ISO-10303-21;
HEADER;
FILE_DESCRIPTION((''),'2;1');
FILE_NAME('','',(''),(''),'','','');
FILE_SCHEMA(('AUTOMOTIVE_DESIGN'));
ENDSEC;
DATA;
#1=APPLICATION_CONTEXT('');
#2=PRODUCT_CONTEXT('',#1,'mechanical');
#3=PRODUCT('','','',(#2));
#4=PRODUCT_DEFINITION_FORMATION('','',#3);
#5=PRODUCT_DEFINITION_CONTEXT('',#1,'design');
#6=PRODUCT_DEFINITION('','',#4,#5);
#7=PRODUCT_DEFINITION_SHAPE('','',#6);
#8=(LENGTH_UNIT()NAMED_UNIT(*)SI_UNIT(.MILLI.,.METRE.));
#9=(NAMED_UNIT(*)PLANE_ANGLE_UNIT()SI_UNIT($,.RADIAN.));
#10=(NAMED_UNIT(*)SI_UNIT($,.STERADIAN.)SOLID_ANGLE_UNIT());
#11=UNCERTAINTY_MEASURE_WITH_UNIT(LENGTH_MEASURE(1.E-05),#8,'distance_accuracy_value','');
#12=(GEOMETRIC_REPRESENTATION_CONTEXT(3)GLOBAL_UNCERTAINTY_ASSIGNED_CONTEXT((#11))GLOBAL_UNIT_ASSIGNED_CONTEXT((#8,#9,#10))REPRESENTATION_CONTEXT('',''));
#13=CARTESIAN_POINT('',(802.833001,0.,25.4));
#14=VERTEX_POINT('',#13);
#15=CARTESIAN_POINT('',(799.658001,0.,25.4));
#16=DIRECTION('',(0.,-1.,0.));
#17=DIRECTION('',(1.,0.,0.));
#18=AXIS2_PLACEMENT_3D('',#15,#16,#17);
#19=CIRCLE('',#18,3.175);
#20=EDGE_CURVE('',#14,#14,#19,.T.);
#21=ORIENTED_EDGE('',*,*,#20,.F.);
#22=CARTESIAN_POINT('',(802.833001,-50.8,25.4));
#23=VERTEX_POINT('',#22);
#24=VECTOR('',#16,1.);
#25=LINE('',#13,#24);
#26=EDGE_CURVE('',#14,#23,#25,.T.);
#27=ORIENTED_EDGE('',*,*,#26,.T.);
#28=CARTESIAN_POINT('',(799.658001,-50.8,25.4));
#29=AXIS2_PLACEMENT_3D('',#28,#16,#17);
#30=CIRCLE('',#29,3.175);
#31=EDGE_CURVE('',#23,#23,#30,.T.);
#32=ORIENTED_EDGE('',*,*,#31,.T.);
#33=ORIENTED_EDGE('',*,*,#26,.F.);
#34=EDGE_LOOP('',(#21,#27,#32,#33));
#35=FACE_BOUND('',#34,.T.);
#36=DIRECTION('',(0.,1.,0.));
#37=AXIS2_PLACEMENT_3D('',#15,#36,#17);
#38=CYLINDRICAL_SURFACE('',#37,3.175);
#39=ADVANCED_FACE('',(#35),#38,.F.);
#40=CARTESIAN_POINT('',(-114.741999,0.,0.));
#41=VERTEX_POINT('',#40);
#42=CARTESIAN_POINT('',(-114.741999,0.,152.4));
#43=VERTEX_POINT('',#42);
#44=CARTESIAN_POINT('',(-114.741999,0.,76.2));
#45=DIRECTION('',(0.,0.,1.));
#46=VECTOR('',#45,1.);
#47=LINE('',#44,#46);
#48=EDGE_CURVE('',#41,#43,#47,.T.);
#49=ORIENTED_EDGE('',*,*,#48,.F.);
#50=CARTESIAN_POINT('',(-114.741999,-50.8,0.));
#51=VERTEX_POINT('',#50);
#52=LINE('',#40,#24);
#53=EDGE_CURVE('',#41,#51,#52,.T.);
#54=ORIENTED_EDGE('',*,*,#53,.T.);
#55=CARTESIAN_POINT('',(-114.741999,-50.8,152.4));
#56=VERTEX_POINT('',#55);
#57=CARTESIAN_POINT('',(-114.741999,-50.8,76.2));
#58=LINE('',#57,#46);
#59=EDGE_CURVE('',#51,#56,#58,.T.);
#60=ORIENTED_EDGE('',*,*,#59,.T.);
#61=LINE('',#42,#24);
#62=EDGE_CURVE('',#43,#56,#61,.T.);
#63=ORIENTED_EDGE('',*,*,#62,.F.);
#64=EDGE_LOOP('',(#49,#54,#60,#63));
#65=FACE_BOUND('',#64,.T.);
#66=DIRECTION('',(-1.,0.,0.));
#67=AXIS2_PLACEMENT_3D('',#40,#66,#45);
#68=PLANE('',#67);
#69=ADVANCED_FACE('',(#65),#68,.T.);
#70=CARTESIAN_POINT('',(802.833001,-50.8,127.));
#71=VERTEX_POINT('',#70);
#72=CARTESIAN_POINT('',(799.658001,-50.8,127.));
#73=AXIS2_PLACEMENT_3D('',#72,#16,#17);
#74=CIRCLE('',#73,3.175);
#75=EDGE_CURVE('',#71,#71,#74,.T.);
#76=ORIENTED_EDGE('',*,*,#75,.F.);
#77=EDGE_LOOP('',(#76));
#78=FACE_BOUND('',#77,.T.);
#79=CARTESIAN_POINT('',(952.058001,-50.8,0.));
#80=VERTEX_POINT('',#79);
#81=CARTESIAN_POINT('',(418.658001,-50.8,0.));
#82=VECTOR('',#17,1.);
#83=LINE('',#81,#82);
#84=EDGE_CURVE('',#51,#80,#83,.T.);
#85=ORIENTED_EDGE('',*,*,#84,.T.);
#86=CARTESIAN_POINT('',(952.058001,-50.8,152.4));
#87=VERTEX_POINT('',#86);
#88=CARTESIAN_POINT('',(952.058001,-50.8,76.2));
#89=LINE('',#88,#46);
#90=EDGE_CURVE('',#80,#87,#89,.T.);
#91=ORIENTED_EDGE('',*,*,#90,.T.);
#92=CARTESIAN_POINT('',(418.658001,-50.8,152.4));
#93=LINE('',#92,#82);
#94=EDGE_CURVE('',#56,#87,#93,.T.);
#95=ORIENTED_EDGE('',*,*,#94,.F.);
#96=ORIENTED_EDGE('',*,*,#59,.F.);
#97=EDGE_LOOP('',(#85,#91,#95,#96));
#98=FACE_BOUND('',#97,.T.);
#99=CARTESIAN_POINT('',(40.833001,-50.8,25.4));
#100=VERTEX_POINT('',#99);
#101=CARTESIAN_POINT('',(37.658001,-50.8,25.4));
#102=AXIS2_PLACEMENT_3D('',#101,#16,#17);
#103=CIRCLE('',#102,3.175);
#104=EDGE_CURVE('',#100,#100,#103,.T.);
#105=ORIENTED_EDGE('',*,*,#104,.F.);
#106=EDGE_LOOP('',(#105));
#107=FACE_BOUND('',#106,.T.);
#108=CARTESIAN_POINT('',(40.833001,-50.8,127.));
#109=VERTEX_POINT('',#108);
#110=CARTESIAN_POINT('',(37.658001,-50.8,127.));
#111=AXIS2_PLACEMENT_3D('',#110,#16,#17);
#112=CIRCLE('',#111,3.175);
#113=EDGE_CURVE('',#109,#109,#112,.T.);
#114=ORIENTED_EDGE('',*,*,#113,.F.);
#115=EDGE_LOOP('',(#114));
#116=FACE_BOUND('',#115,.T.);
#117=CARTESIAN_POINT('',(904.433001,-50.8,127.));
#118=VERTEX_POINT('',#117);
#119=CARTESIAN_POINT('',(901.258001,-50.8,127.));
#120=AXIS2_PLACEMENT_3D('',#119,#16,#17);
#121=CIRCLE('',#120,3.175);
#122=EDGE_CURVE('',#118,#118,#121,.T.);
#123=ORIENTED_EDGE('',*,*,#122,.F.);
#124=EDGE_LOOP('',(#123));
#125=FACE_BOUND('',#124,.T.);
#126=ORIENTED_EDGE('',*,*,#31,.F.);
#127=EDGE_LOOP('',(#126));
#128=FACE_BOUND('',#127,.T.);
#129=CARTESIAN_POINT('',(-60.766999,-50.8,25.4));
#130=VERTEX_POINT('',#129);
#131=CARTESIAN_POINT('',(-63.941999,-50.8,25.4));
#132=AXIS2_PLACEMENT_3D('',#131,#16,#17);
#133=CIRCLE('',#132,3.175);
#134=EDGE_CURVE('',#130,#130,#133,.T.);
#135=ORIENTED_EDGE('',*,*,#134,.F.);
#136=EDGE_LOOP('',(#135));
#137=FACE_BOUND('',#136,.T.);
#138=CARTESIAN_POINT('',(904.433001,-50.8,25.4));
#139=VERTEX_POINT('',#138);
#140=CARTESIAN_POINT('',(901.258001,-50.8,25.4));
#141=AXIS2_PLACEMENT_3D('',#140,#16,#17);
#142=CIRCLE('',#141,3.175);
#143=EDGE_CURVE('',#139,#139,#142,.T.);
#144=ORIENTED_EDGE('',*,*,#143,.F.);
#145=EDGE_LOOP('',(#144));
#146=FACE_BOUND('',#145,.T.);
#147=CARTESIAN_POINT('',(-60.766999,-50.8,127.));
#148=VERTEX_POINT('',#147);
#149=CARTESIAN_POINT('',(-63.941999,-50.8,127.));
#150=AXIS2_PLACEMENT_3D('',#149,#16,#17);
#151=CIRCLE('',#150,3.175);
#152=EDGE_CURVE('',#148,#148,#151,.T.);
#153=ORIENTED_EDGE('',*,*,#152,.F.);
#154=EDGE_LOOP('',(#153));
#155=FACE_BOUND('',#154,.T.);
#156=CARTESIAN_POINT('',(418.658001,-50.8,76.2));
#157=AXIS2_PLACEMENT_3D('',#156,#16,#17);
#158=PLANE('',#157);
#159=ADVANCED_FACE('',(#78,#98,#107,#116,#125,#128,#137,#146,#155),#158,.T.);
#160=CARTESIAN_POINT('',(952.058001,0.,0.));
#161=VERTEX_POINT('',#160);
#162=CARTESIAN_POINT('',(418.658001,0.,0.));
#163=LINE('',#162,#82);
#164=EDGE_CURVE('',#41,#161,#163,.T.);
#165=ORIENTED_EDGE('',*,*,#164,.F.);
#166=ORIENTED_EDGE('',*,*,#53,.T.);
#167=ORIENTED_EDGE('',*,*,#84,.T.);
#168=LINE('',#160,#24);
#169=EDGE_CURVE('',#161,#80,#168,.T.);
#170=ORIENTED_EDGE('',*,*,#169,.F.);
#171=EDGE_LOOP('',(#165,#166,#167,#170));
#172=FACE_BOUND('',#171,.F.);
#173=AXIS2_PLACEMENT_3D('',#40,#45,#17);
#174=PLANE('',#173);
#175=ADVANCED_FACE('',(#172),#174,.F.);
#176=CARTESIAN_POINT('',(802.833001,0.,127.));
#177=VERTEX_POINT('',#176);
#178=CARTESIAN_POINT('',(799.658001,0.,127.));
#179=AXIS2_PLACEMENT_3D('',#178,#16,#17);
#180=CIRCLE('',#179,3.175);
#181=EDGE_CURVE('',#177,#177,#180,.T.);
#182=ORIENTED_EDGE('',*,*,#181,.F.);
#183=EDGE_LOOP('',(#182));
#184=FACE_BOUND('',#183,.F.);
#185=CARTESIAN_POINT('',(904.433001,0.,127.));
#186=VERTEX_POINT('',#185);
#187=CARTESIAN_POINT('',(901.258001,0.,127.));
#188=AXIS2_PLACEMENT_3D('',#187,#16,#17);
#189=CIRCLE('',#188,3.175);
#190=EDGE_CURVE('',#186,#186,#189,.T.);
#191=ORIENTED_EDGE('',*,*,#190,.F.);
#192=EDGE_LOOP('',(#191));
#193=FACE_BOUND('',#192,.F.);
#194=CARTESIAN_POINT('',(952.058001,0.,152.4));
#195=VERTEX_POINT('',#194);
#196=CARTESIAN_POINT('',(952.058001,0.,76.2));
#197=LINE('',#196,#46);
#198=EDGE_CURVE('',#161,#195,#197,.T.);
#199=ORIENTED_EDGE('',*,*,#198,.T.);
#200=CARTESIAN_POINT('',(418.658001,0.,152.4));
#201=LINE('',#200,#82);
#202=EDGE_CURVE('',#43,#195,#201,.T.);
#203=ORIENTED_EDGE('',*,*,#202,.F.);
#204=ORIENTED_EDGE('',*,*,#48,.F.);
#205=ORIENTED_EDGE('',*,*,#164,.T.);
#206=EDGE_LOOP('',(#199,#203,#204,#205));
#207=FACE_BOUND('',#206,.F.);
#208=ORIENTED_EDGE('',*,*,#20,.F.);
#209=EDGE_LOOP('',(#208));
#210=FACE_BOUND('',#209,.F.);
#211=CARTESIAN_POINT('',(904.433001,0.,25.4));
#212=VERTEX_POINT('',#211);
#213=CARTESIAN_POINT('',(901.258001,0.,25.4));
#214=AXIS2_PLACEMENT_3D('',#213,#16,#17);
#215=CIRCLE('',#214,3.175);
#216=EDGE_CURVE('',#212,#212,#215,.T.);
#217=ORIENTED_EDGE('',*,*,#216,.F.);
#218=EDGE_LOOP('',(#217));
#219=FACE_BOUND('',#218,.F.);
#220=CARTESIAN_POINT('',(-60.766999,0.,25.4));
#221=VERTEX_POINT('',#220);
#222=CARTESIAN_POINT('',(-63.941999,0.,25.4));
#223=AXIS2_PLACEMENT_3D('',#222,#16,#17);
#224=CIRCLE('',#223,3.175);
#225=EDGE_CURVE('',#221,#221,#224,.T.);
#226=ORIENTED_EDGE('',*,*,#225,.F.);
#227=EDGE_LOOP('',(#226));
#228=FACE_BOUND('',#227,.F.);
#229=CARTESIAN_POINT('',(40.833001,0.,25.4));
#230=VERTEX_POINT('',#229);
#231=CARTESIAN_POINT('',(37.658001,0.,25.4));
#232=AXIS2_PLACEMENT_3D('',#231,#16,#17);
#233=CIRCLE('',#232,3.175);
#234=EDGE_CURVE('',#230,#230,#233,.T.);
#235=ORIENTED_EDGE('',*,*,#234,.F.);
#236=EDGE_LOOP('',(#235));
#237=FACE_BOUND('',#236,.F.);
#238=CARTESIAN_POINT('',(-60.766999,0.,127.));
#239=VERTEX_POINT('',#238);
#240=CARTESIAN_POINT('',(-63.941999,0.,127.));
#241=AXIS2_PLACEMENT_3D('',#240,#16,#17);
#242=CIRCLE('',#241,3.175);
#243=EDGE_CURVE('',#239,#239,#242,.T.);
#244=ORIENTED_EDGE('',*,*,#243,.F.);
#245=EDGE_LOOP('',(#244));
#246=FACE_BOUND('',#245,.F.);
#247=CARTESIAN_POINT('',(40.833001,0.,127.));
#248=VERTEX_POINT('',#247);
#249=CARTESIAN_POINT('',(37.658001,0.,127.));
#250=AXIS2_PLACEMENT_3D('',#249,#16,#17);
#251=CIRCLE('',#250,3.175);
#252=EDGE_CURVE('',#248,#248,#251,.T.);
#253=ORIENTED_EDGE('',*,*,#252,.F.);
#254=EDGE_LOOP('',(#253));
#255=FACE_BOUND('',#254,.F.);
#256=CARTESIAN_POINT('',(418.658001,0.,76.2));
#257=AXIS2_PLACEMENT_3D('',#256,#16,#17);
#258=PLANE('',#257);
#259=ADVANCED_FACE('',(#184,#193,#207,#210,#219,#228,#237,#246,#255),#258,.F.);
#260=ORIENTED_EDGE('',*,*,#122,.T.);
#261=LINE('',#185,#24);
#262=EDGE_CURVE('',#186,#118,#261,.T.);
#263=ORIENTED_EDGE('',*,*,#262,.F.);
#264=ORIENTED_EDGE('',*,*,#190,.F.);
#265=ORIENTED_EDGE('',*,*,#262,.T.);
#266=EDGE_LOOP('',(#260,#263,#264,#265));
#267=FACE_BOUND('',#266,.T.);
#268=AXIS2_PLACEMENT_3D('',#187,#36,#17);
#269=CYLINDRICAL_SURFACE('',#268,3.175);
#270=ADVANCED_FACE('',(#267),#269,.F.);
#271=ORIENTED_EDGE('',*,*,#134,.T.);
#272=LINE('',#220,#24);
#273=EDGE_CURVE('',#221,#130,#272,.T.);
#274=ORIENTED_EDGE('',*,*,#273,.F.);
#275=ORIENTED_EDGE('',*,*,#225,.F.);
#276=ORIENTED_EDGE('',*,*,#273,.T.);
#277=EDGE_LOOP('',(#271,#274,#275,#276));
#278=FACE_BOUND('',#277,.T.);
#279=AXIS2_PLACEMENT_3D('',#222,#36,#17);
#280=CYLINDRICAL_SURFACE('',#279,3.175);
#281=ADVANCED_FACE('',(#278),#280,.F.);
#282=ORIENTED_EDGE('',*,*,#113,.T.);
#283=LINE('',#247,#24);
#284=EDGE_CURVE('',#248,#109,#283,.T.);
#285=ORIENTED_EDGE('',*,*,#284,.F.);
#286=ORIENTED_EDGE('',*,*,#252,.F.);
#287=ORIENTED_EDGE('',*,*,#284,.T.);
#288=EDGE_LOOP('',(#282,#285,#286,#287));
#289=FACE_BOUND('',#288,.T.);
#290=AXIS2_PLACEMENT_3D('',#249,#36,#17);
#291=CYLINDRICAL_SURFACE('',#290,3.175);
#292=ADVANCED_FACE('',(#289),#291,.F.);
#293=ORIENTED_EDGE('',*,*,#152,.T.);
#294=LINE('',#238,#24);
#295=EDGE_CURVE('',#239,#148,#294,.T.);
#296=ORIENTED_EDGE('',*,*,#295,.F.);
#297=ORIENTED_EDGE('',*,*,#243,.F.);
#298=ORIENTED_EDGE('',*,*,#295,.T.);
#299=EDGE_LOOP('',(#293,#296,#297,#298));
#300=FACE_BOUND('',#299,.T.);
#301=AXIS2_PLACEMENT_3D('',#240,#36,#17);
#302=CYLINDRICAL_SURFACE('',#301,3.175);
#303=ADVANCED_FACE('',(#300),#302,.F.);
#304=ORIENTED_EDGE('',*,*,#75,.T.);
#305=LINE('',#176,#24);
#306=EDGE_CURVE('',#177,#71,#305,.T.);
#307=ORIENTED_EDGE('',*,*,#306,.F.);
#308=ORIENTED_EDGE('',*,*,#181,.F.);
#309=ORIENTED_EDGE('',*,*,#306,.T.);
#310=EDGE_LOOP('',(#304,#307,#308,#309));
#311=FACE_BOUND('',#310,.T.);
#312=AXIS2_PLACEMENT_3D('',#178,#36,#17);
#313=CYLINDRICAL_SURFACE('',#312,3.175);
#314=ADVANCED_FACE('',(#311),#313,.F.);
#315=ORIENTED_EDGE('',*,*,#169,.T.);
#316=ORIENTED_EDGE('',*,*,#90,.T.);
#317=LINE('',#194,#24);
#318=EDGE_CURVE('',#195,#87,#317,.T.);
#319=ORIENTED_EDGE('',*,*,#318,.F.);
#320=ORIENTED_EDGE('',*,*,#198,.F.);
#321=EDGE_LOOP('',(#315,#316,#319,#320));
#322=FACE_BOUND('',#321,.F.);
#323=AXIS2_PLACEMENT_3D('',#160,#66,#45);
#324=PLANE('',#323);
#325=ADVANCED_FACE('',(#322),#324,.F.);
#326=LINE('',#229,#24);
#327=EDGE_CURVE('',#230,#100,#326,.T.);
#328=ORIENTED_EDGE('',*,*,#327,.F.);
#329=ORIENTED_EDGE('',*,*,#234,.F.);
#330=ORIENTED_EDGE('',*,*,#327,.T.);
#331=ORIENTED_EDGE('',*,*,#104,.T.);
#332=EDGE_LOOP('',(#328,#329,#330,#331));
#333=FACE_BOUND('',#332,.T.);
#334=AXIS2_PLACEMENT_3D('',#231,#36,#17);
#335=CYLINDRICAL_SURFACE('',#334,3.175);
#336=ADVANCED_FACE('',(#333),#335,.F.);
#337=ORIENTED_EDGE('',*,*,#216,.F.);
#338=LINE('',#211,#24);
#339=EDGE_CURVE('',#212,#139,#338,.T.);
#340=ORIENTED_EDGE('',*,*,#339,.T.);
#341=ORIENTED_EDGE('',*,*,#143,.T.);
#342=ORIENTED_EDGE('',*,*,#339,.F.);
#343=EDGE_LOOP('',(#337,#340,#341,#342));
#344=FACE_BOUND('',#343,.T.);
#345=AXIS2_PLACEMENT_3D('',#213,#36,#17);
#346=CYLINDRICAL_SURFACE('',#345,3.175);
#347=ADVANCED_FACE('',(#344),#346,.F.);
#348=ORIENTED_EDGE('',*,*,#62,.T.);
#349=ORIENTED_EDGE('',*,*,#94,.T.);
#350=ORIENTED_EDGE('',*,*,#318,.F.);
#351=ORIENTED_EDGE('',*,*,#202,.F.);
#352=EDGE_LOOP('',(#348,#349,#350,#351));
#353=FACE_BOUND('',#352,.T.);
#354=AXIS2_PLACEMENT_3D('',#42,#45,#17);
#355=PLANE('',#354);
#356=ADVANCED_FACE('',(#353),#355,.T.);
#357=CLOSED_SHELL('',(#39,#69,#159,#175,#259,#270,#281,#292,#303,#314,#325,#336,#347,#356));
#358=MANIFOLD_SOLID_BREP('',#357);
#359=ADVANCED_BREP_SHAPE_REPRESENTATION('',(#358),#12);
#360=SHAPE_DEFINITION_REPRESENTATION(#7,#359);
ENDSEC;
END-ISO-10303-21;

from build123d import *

# Parameters (mm, degrees)
F0_W     = 1066.8
F0_H     = 152.4
F0_R     = 3.175
F1_DEPTH = 50.8


with BuildPart() as f1:
    # F0 (on Front) → F1 (new body)
    with BuildSketch(Plane.XZ):
        with Locations((418.658001, 76.2)):
            Rectangle(F0_W, F0_H)
        with Locations((-63.941999, 25.4)):
            Circle(F0_R, mode=Mode.SUBTRACT)
        with Locations((37.658001, 25.4)):
            Circle(F0_R, mode=Mode.SUBTRACT)
        with Locations((799.658001, 25.4)):
            Circle(F0_R, mode=Mode.SUBTRACT)
        with Locations((901.258001, 25.4)):
            Circle(F0_R, mode=Mode.SUBTRACT)
        with Locations((-63.941999, 127)):
            Circle(F0_R, mode=Mode.SUBTRACT)
        with Locations((37.658001, 127)):
            Circle(F0_R, mode=Mode.SUBTRACT)
        with Locations((799.658001, 127)):
            Circle(F0_R, mode=Mode.SUBTRACT)
        with Locations((901.258001, 127)):
            Circle(F0_R, mode=Mode.SUBTRACT)
    extrude(amount=F1_DEPTH)


solid = f1.part
